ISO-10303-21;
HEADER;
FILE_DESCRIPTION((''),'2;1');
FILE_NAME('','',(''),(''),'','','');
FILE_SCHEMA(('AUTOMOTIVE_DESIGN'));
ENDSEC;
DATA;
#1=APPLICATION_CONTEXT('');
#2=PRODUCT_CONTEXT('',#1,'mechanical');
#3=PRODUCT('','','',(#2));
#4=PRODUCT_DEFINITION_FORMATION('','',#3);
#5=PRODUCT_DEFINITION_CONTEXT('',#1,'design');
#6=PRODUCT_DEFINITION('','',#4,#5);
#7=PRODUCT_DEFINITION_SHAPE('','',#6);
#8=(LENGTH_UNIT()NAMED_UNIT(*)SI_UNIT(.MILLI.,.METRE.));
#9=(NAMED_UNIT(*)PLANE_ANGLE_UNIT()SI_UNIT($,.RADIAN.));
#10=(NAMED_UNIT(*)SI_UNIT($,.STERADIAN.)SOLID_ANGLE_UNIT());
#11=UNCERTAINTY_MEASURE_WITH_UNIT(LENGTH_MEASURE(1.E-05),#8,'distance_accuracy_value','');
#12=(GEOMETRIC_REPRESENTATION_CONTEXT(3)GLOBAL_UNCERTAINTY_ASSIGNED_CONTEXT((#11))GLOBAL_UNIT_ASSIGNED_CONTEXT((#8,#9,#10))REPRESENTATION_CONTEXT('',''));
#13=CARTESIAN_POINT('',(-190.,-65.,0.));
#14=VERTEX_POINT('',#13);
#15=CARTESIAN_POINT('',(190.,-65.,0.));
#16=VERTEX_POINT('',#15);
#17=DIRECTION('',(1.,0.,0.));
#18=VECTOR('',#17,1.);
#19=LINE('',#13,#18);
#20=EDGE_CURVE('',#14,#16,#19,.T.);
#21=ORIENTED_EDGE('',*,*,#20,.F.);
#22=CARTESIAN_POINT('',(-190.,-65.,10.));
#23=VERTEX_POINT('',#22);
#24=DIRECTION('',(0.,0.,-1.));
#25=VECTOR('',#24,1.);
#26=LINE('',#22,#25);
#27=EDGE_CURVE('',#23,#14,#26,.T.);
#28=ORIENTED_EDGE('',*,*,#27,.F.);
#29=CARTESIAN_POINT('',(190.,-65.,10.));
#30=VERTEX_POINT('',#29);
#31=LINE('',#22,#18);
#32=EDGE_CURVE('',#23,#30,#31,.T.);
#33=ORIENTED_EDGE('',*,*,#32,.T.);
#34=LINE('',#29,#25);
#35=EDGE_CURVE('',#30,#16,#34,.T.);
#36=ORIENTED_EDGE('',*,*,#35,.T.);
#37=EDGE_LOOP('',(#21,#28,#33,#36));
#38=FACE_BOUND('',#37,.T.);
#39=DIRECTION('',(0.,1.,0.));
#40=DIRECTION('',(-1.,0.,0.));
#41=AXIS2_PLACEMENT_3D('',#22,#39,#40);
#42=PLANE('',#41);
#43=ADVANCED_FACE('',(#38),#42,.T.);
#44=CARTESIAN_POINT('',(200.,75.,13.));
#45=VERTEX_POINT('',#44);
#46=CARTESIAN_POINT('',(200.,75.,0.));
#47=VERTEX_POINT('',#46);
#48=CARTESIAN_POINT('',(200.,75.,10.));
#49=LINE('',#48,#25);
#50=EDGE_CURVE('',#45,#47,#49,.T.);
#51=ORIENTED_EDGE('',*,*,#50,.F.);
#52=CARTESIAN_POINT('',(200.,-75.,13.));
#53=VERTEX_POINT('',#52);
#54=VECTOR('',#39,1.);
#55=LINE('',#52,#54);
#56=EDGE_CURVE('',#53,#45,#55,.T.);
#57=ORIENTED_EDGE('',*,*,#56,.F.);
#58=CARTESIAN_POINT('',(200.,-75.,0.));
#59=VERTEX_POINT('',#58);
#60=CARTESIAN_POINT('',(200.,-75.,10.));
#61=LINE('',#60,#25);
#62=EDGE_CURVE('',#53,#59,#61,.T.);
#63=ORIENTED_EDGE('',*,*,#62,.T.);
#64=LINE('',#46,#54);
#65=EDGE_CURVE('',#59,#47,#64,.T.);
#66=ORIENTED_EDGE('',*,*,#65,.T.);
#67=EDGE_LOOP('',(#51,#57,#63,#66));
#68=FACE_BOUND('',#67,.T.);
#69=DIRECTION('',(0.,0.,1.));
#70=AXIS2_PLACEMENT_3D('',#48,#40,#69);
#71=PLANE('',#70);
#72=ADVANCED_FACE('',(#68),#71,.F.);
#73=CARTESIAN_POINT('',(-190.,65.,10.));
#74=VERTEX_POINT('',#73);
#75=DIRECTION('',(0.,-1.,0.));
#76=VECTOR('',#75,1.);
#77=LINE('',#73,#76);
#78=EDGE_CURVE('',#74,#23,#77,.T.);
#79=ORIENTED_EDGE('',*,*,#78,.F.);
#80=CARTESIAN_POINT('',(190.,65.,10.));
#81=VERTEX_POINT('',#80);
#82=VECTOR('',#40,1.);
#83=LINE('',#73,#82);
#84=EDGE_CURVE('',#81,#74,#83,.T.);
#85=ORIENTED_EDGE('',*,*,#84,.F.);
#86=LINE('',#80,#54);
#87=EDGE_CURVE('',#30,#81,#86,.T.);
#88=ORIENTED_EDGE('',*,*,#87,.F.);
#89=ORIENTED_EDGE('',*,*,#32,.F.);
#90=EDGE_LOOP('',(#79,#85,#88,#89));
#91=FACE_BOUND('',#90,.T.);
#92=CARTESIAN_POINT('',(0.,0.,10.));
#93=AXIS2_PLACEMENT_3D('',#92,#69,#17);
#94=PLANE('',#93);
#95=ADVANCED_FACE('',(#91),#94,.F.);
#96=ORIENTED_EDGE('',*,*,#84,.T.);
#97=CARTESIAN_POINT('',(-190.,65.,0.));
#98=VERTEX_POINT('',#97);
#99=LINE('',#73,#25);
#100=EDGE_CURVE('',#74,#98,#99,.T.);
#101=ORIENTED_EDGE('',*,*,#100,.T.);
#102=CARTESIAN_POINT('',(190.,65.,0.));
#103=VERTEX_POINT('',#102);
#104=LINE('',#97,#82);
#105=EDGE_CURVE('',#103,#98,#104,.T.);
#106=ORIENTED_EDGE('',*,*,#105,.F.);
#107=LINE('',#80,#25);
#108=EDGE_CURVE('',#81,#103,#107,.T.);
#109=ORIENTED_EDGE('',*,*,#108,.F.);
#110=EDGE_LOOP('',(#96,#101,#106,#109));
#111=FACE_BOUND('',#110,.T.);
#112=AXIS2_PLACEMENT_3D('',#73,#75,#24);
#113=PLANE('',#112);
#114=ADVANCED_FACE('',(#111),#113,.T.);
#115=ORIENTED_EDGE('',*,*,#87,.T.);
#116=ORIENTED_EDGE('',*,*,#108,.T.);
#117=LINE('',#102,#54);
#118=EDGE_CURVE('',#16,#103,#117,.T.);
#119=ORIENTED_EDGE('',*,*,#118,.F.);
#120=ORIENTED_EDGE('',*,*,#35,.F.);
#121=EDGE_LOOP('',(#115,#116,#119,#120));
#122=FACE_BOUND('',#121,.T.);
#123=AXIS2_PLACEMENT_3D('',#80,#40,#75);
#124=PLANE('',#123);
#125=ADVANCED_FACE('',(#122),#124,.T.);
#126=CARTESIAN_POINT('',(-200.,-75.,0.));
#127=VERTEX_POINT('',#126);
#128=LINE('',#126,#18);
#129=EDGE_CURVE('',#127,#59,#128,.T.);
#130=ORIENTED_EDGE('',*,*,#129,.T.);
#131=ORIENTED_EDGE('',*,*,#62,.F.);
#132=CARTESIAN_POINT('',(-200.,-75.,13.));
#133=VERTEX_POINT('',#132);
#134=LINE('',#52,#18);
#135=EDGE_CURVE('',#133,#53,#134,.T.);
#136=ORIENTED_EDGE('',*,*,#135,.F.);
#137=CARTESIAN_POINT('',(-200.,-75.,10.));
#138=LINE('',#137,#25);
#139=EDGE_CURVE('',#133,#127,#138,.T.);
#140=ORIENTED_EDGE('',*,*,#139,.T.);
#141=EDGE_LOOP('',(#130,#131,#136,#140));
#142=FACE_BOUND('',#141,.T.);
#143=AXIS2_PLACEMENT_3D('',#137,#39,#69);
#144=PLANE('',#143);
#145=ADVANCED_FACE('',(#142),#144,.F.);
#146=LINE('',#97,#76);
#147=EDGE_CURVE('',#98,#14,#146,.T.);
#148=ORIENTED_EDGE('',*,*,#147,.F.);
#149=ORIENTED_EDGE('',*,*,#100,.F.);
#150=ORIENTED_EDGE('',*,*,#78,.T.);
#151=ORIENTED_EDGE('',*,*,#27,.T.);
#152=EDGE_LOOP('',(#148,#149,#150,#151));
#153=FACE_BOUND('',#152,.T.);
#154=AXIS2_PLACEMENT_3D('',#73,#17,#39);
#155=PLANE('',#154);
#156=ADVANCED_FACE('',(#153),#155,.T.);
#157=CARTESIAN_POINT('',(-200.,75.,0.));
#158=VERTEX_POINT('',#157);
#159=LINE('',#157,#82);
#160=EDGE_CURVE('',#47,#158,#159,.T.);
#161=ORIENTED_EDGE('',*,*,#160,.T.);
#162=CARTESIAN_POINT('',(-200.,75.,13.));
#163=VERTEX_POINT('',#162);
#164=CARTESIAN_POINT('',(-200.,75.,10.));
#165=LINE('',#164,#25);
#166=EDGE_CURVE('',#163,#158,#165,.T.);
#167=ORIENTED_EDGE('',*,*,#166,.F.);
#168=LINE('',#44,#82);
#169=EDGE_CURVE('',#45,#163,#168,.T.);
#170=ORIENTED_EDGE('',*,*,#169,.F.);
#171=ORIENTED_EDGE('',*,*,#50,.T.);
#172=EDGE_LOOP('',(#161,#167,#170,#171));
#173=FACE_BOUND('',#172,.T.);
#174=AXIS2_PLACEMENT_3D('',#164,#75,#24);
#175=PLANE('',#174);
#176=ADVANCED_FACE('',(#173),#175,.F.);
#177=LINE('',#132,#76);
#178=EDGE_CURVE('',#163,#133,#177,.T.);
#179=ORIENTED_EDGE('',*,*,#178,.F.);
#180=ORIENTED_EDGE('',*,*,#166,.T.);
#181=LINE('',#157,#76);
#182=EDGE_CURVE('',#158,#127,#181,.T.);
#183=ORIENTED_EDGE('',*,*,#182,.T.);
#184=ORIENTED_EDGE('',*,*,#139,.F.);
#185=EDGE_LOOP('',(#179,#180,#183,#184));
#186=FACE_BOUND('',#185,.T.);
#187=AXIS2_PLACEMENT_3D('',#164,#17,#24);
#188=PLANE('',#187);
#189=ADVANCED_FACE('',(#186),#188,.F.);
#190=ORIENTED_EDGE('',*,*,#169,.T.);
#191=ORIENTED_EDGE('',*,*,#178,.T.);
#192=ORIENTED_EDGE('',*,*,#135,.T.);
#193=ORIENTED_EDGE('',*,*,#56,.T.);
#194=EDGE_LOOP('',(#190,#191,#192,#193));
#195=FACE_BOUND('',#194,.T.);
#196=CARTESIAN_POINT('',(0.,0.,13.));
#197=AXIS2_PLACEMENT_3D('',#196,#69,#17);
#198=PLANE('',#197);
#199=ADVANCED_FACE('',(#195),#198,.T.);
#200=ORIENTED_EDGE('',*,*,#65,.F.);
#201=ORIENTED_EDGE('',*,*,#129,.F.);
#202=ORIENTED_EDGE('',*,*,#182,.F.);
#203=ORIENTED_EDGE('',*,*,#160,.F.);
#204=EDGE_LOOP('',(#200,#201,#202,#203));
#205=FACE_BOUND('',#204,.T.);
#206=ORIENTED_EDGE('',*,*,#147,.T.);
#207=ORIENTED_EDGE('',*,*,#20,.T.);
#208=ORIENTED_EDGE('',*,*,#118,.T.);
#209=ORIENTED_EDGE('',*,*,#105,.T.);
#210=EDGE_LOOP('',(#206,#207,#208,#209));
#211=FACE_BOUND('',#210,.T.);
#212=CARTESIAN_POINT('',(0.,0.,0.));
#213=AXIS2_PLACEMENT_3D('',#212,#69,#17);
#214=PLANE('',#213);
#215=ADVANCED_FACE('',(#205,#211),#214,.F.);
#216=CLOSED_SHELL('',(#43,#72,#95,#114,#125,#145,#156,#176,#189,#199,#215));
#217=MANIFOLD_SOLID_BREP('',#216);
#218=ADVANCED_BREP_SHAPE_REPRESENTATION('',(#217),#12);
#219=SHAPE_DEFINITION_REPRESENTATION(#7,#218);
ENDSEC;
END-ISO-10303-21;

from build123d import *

# Parameters (mm, degrees)
SKETCH_1_W      = 400
SKETCH_1_H      = 150
SKETCH_1_W_2    = 380
SKETCH_1_H_2    = 130
EXTRUDE_1_DEPTH = 10
SKETCH_2_W      = 400
SKETCH_2_H      = 150
EXTRUDE_2_DEPTH = 3


with BuildPart() as part:
    # 스케치1 → 보스-돌출1 (new body)
    with BuildSketch(Plane.XY):
        Rectangle(SKETCH_1_W, SKETCH_1_H)
        Rectangle(SKETCH_1_W_2, SKETCH_1_H_2, mode=Mode.SUBTRACT)
    extrude(amount=EXTRUDE_1_DEPTH)

    # 스케치2 → 보스-돌출2 (add)
    with BuildSketch(Plane.XY.offset(10)):
        Rectangle(SKETCH_2_W, SKETCH_2_H)
    extrude(amount=EXTRUDE_2_DEPTH)


solid = part.part
